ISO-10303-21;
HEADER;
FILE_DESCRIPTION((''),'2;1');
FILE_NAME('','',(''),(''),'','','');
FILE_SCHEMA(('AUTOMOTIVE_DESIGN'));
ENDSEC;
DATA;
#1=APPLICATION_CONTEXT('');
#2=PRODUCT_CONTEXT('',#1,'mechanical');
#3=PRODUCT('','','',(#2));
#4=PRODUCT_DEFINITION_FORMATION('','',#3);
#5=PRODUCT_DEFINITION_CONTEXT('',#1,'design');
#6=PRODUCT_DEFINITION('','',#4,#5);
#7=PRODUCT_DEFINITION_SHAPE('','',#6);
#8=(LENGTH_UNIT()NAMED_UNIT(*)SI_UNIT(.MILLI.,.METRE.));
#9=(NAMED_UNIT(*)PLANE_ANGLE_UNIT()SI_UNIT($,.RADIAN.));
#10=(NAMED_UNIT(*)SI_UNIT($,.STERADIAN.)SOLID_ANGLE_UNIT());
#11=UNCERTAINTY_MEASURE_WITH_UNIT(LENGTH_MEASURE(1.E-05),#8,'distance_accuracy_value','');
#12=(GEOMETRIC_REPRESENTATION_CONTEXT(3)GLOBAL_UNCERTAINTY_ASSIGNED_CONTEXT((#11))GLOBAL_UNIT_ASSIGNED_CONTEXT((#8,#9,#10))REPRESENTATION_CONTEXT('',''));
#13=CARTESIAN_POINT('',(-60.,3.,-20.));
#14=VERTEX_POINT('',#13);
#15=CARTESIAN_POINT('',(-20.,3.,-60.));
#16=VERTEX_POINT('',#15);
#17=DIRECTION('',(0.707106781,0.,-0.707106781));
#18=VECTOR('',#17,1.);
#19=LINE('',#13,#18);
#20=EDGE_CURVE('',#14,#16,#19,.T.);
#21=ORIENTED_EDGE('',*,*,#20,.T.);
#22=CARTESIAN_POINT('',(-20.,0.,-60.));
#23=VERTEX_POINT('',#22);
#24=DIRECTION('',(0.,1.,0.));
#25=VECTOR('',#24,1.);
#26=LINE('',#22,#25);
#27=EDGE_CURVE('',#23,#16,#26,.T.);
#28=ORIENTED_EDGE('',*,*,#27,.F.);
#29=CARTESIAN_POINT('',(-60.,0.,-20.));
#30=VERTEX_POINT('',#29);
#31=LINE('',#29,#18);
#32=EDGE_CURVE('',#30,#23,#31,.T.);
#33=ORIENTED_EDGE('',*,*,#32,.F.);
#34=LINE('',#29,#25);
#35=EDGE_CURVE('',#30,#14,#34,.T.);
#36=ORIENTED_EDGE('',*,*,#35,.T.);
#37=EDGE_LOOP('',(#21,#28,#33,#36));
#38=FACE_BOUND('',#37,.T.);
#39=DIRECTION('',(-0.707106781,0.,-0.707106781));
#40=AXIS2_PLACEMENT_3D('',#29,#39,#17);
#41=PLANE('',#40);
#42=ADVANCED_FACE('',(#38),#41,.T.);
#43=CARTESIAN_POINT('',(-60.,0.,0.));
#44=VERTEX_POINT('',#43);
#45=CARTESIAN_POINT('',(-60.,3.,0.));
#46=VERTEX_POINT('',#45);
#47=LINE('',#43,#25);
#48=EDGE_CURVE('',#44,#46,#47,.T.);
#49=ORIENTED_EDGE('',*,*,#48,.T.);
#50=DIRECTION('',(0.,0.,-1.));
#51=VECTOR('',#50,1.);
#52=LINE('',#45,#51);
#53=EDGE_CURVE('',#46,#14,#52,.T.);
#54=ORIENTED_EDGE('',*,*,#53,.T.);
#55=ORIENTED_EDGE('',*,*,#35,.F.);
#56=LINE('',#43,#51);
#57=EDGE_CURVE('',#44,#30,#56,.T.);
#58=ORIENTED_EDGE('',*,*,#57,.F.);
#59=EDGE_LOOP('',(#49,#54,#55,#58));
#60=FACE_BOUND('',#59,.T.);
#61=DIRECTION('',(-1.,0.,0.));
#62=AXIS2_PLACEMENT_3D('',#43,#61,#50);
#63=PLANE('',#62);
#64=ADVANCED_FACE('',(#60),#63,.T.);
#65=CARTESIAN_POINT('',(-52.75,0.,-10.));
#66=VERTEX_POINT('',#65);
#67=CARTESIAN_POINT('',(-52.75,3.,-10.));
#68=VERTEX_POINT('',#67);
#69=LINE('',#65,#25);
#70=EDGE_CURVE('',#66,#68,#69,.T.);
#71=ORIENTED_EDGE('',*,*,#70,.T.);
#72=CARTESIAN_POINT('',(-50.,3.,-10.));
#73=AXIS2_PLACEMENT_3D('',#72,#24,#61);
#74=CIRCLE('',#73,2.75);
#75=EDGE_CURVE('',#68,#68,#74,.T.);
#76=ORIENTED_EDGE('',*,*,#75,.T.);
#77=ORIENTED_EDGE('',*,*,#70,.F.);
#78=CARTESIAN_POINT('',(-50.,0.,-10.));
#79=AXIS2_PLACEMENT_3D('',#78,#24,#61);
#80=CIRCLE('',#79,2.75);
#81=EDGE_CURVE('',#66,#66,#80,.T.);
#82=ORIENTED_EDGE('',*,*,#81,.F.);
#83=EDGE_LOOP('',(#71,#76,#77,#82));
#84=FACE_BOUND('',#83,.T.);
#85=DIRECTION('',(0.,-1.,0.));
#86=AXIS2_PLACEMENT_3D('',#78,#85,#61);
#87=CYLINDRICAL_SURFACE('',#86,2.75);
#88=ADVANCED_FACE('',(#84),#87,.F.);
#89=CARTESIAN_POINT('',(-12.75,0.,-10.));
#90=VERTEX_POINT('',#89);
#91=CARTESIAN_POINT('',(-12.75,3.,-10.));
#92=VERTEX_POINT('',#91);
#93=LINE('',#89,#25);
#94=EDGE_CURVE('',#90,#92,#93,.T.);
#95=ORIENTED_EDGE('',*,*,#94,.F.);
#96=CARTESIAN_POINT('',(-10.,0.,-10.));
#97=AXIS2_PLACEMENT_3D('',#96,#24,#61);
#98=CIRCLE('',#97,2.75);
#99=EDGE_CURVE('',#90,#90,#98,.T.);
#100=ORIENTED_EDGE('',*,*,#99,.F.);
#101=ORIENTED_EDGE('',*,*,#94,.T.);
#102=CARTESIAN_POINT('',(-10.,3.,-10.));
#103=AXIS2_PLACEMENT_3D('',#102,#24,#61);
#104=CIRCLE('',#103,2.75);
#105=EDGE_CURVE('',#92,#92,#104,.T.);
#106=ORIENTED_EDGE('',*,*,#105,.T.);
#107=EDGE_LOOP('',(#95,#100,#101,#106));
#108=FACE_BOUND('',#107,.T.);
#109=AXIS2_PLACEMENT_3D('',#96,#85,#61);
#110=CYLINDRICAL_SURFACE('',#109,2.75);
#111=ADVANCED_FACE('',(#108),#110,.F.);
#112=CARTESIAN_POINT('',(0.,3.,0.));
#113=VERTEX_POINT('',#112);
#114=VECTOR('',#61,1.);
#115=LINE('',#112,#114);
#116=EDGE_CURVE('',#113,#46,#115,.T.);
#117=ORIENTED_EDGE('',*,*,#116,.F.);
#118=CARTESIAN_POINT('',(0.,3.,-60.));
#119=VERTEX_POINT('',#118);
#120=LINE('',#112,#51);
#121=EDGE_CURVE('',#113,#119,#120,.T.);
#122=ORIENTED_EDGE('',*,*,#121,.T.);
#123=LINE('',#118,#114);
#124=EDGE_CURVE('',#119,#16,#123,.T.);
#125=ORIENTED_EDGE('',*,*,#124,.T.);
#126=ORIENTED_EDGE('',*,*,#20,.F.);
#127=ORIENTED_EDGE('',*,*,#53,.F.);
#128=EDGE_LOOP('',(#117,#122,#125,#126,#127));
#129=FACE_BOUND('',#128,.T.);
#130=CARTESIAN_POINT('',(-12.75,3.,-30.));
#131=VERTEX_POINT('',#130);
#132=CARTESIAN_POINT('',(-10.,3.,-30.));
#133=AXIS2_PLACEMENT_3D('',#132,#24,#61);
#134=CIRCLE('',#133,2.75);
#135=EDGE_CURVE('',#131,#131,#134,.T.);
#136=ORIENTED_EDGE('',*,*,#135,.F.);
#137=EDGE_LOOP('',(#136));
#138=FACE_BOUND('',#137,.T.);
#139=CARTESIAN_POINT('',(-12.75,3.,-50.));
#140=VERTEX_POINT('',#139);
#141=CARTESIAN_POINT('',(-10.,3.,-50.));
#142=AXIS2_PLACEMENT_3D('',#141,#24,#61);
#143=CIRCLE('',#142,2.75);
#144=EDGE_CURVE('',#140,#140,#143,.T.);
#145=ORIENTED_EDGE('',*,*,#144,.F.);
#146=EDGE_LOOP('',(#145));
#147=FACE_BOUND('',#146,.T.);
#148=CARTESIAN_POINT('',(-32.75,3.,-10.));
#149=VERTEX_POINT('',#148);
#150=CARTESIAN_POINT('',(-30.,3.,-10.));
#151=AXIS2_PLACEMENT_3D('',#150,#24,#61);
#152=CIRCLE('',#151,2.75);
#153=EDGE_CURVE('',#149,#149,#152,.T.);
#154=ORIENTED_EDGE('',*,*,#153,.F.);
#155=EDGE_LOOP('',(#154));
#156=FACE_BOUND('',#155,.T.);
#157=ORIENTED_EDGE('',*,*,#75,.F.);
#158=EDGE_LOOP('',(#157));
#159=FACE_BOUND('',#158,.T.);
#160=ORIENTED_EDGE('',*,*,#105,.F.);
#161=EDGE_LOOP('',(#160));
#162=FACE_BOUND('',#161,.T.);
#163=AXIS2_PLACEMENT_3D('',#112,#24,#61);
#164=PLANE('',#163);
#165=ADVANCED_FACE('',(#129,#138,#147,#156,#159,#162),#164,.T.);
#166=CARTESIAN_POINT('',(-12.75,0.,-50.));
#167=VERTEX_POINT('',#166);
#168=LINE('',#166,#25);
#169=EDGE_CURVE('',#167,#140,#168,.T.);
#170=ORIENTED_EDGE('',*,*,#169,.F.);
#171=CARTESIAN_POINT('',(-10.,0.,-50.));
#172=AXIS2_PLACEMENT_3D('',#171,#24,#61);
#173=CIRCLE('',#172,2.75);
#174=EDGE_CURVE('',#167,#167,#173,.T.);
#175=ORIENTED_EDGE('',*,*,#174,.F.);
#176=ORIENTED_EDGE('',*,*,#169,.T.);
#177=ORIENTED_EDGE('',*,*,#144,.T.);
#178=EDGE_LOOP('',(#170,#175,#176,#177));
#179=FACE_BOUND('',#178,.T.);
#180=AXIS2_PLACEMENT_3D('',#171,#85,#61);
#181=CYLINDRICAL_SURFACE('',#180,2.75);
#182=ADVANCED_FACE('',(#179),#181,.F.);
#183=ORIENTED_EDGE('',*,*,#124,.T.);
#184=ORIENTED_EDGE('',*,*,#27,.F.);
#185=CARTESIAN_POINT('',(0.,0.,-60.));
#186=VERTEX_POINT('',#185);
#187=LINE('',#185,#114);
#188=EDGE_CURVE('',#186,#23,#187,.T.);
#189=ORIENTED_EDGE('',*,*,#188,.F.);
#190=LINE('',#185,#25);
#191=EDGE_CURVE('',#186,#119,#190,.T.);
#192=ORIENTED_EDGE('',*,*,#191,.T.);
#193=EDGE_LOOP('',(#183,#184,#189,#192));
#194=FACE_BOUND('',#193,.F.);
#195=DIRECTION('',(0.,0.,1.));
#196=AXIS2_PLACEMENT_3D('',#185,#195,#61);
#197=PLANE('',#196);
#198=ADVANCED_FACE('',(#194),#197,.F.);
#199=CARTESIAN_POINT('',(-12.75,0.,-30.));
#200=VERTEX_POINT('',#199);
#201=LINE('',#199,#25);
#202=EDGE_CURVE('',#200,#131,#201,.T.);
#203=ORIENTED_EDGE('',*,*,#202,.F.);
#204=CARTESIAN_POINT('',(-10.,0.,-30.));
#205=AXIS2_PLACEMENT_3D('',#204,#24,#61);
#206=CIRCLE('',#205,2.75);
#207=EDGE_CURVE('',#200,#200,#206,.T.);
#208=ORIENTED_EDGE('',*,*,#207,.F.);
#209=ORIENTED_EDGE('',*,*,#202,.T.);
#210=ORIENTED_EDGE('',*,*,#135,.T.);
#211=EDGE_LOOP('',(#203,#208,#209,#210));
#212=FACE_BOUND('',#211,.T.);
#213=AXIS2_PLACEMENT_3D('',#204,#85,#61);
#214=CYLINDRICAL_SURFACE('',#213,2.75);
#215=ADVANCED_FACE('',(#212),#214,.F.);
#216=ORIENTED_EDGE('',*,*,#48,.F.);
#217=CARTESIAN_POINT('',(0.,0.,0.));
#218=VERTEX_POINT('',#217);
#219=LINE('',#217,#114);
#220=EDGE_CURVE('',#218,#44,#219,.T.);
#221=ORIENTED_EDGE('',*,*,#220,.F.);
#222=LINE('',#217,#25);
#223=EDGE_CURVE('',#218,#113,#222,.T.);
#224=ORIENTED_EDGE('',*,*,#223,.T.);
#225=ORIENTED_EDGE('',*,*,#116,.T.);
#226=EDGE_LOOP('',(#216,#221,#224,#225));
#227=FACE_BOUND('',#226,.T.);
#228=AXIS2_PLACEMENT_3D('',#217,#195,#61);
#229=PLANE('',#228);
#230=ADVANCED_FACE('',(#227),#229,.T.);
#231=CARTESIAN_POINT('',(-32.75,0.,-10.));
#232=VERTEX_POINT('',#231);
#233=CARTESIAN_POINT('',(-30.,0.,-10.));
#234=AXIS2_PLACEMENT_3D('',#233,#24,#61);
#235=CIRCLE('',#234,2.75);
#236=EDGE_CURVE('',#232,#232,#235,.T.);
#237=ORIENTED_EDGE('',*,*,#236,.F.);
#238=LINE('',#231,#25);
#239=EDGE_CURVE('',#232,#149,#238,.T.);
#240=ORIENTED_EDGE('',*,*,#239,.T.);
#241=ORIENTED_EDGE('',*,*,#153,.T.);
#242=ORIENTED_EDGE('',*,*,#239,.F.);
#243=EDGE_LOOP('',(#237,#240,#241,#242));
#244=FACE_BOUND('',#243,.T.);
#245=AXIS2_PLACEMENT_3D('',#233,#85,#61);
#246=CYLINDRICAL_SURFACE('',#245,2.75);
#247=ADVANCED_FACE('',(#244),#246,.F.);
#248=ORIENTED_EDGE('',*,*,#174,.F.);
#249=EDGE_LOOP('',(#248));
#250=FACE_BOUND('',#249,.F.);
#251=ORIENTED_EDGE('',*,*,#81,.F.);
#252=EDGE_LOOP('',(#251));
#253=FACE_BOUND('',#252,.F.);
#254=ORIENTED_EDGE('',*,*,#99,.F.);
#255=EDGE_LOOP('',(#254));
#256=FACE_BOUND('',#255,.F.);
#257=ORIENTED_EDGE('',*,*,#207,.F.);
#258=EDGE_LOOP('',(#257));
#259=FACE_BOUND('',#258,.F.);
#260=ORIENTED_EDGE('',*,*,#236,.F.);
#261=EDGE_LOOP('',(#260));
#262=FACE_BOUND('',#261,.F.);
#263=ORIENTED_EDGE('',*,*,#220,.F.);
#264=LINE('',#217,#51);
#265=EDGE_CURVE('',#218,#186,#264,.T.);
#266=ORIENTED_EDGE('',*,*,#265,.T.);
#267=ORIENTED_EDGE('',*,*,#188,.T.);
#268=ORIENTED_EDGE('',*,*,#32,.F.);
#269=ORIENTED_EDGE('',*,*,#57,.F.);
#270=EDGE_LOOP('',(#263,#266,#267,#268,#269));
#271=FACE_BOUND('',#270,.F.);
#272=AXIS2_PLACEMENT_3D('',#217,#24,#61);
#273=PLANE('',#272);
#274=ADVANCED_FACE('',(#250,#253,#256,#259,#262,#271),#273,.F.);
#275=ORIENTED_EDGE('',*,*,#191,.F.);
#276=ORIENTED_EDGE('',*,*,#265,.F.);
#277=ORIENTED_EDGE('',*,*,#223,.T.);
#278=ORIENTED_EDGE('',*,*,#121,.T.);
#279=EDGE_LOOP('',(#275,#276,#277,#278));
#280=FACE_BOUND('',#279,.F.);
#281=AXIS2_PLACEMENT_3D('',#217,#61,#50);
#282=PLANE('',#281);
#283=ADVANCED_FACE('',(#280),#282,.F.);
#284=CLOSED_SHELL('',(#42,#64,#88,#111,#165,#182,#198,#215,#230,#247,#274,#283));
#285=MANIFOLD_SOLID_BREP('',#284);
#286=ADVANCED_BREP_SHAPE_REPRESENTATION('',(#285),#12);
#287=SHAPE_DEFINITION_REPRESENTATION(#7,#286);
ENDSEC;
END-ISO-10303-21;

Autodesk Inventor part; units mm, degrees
ref_plane "YZ Plane" through (0, 0, 0) normal (1, 0, 0) x (0, 1, 0)
ref_plane "XZ Plane" through (0, 0, 0) normal (0, 1, 0) x (-1, 0, 0)
ref_plane "XY Plane" through (0, 0, 0) normal (0, 0, 1) x (1, 0, 0)
sketch "Sketch1" plane through (0, 0, 0) normal (0, 1, 0) x (-1, 0, 0)
  line L0 (0, 0) -> (60, 0)
  line L1 (0, 0) -> (60, 0) construction
  line L2 (0, 0) -> (0, -60)
  line L3 (0, -60) -> (20, -60)
  line L4 (60, 0) -> (60, -20)
  line L5 (60, -20) -> (20, -60)
  circle A0 centre (10, -10) radius 2.75
  circle A1 centre (30, -10) radius 2.75
  circle A2 centre (50, -10) radius 2.75
  circle A3 centre (10, -30) radius 2.75
  circle A4 centre (10, -50) radius 2.75
  dimension "d0" = 60
  dimension "d1" = 0
  dimension "d2" = 60
  dimension "d3" = 20
  dimension "d4" = 20
  dimension "d5" = 5.5
  dimension "d6" = 10
  dimension "d7" = 10
  dimension "d10" = 20
  dimension "d17" = 20
extrude "Extrusion1" add sketch "Sketch1" along normal blind 3
properties part number "RightAngle_SideBracket"
